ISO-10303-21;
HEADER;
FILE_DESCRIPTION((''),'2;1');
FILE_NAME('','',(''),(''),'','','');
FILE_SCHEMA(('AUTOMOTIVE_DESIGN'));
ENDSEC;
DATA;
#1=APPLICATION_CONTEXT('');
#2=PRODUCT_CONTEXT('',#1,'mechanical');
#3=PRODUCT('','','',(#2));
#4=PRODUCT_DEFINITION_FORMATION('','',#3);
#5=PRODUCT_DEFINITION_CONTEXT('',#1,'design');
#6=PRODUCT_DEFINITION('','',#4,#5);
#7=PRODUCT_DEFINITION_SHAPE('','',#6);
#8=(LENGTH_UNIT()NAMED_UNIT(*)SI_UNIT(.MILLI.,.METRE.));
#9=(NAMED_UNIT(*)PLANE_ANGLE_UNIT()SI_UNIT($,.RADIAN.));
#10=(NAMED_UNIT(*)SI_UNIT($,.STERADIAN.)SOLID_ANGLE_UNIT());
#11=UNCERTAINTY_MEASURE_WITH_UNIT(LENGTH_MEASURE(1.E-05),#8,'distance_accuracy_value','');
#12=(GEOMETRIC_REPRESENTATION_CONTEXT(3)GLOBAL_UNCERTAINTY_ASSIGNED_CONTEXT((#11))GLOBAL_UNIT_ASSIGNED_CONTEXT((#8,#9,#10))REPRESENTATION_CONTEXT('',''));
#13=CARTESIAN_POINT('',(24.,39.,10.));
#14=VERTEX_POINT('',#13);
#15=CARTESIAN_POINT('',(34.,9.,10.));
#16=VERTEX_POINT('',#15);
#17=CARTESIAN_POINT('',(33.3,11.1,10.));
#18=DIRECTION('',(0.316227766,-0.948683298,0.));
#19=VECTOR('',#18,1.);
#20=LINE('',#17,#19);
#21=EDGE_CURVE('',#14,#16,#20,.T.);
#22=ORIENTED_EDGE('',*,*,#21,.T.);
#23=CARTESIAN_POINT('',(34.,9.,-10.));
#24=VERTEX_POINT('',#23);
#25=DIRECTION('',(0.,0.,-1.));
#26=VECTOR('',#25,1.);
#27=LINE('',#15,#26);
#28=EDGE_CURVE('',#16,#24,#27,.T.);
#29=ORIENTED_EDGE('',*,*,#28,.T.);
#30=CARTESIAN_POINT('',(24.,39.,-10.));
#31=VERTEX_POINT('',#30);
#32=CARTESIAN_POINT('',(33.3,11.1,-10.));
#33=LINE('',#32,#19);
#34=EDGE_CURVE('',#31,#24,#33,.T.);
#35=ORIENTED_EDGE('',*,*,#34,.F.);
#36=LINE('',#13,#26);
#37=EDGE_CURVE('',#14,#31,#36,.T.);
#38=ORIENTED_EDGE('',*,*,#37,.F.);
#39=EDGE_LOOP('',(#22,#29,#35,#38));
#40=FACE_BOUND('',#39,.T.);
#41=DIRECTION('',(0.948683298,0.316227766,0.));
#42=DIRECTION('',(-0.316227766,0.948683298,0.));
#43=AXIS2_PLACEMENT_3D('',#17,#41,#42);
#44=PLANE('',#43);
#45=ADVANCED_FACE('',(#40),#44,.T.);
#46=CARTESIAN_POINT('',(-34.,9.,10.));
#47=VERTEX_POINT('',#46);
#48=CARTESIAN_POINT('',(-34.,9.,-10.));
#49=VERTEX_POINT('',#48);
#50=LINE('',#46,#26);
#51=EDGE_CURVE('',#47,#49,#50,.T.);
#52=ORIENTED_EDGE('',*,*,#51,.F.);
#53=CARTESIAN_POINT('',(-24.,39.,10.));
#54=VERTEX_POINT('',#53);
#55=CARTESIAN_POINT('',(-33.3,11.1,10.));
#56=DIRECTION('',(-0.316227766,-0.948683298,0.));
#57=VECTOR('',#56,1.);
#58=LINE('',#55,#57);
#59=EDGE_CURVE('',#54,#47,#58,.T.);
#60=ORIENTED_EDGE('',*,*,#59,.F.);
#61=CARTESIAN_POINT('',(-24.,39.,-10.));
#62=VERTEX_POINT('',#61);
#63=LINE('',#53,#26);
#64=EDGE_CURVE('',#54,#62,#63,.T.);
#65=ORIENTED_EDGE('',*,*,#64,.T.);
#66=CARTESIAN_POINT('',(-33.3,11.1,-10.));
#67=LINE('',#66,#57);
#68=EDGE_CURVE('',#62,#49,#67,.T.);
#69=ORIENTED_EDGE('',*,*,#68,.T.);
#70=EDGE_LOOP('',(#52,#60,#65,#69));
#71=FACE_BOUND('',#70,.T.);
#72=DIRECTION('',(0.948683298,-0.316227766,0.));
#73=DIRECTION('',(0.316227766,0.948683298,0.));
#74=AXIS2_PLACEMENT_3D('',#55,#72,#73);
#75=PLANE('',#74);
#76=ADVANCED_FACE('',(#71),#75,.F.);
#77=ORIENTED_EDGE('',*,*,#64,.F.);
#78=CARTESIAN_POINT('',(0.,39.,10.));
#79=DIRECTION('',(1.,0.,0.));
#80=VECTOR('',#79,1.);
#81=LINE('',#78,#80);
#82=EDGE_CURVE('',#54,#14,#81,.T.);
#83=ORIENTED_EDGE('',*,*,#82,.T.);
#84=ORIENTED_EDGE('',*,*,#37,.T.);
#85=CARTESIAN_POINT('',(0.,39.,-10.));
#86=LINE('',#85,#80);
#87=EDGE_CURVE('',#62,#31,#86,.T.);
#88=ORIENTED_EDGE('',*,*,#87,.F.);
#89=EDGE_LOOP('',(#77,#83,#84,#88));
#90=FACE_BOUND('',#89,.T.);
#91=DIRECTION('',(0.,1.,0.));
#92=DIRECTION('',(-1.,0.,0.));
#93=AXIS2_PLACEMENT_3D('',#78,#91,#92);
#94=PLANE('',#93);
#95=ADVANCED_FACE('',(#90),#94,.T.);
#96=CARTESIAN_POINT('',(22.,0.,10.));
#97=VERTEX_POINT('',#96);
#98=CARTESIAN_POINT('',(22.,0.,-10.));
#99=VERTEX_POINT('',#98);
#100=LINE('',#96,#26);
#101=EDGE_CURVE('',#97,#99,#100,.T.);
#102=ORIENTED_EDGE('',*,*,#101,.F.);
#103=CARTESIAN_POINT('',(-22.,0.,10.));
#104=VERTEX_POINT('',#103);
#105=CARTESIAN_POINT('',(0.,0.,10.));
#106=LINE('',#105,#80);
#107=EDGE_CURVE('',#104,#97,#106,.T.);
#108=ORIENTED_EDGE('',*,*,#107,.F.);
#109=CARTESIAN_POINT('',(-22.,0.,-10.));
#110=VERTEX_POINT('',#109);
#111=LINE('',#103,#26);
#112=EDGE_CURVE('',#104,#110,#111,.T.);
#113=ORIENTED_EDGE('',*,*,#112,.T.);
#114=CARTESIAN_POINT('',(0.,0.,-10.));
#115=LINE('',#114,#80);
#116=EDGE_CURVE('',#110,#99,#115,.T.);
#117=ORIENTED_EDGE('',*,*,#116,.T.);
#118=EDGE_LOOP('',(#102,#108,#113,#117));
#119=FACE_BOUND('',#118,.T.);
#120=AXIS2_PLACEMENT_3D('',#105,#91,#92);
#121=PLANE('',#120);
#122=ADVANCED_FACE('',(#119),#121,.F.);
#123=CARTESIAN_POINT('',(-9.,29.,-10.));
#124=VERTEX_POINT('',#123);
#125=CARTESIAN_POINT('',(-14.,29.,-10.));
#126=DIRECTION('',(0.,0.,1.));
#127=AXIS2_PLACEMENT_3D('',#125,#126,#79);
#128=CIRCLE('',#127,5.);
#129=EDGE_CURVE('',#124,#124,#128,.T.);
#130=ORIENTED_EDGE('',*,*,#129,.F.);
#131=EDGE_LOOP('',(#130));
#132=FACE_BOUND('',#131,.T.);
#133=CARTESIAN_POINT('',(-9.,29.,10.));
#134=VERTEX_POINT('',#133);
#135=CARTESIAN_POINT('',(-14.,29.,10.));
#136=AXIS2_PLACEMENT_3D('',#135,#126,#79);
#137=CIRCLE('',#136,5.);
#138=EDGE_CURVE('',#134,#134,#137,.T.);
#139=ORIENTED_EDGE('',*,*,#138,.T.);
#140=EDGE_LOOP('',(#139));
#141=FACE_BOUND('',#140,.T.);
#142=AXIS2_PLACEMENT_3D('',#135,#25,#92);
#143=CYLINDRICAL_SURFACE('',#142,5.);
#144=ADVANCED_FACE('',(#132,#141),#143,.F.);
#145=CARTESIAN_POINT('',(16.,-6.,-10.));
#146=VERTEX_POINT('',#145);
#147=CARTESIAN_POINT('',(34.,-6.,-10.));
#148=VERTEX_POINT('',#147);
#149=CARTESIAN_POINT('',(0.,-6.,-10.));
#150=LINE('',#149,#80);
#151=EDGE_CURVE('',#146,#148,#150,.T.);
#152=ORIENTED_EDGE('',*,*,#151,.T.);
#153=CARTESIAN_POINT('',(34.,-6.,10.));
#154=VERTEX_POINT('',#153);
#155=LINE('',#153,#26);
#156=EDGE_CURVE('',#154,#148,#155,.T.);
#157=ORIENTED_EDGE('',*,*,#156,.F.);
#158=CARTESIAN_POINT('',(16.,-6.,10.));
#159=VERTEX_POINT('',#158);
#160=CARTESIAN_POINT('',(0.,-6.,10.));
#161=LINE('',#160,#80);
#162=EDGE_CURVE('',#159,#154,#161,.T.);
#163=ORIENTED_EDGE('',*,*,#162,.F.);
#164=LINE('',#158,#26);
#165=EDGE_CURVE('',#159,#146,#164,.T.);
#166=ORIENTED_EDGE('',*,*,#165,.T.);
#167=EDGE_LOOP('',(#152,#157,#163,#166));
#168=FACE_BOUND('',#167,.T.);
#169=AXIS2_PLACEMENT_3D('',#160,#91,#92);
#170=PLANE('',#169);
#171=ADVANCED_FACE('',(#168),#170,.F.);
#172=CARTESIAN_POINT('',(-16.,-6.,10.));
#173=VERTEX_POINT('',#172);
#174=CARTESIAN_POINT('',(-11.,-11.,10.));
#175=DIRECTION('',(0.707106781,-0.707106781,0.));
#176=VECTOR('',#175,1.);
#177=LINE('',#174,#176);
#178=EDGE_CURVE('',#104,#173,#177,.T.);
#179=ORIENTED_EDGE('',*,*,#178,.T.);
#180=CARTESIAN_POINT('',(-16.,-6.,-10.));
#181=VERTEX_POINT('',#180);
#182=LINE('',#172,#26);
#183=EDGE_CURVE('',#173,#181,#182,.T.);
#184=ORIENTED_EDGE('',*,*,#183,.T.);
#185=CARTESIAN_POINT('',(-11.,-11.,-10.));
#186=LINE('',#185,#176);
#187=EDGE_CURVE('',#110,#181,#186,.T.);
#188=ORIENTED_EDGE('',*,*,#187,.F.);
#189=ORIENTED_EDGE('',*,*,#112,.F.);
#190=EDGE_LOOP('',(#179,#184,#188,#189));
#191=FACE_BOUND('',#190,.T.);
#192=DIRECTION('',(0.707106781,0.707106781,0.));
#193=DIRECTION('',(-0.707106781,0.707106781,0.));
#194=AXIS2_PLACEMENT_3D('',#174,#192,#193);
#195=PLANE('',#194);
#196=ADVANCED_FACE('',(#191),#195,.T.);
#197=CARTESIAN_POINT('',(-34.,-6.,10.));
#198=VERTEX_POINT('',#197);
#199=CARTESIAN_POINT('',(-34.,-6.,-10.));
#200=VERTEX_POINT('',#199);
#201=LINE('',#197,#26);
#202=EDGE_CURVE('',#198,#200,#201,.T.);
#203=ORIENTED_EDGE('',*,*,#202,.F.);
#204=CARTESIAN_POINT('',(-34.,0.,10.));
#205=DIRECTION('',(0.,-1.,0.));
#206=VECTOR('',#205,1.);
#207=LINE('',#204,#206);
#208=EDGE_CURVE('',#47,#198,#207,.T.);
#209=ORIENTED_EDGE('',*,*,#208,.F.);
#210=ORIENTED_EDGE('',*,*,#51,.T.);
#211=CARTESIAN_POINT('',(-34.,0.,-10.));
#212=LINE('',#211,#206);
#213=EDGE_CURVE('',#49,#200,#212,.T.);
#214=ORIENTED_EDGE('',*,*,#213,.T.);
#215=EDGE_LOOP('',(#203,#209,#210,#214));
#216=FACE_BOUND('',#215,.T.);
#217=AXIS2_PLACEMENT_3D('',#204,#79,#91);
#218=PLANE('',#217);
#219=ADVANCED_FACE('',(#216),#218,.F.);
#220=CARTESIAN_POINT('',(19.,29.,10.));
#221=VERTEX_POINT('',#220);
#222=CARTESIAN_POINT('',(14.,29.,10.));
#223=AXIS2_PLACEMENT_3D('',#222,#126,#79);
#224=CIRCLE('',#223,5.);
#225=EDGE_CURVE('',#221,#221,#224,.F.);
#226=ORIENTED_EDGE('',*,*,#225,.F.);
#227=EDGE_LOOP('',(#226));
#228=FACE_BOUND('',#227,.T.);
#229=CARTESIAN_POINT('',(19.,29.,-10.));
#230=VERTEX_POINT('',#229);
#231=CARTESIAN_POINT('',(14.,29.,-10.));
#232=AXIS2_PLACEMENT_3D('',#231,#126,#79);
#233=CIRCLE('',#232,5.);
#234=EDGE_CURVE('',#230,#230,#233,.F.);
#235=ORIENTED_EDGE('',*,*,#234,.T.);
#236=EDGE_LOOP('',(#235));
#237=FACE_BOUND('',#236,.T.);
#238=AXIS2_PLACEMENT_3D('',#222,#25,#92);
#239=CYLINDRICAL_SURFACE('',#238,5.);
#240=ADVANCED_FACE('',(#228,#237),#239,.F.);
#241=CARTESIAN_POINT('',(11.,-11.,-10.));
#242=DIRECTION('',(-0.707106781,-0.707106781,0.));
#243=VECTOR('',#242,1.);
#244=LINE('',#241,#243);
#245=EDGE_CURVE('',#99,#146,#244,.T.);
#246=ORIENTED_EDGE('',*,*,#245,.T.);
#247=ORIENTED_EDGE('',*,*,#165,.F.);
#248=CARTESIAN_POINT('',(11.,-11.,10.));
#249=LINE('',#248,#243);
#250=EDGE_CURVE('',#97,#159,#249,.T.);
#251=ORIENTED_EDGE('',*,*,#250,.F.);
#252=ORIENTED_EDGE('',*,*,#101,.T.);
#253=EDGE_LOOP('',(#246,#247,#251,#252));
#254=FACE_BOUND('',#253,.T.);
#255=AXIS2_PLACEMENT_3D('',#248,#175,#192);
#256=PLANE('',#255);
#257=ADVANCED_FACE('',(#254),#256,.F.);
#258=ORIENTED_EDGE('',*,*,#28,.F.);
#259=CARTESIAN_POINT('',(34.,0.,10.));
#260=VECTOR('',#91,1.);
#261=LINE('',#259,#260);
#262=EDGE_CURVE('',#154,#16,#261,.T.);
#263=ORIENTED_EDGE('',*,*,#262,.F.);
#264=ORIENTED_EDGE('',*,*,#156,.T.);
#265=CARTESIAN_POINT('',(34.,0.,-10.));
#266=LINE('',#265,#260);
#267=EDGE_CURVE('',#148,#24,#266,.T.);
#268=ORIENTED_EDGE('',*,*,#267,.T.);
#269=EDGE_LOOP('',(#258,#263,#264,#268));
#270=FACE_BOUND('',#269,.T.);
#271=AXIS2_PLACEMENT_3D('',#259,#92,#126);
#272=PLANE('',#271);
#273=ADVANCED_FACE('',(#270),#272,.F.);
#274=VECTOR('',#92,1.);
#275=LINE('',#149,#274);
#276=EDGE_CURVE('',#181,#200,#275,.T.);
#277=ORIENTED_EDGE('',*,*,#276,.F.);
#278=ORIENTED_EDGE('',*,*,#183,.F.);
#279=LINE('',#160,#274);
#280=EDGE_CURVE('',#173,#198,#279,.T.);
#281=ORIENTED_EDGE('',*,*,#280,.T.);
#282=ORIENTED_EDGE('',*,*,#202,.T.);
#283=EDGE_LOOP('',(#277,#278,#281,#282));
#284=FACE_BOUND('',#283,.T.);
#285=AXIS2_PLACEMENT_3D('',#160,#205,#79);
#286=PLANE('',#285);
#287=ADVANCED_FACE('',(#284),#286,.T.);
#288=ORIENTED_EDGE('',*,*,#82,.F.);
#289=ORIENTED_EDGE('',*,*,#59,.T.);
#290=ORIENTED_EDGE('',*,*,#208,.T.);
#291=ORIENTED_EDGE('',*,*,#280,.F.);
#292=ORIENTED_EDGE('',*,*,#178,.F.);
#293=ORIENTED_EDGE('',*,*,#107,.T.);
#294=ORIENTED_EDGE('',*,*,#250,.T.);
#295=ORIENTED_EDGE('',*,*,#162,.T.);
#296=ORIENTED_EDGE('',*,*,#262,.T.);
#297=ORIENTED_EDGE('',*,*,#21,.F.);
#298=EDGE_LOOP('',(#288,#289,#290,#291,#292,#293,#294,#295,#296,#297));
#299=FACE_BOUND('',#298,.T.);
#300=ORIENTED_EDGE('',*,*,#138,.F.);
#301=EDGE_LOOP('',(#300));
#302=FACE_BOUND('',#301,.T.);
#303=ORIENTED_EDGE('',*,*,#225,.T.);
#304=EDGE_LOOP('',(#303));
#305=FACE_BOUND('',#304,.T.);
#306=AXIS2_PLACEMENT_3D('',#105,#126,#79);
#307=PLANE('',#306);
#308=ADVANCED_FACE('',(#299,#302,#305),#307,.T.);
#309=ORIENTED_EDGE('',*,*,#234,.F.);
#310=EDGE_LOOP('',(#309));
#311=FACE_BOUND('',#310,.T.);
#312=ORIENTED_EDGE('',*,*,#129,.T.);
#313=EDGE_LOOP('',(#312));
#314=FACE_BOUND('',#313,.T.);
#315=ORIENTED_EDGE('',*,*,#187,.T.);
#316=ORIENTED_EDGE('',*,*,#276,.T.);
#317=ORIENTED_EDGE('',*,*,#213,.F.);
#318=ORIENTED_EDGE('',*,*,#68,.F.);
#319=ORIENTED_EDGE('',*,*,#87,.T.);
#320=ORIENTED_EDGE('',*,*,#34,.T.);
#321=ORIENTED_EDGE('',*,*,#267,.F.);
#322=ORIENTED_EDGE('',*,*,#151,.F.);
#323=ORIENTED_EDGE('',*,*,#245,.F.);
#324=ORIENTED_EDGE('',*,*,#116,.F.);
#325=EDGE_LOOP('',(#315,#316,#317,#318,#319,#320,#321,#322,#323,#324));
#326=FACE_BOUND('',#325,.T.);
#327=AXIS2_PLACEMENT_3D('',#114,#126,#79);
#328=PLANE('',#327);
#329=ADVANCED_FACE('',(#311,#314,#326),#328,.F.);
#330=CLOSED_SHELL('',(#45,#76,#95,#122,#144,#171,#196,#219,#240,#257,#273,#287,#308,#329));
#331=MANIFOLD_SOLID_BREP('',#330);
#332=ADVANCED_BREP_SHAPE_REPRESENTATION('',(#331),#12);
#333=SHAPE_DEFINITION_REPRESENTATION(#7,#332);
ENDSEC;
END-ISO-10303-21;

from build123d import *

# Parameters (mm, degrees)
SKETCH1_R           = 5
BOSS_EXTRUDE1_DEPTH = 10


with BuildPart() as part:
    # Sketch1 → Boss-Extrude1 (new, symmetric)
    with BuildSketch(Plane.XY):
        Polygon((-24, 39), (24, 39), (34, 9), (34, 0), (34, -6), (16, -6), (22, 0), (-22, 0), (-16, -6), (-34, -6), (-34, 0), (-34, 9), align=None)
        with Locations((-14, 29)):
            Circle(SKETCH1_R, mode=Mode.SUBTRACT)
        with Locations((14, 29)):
            Circle(SKETCH1_R, mode=Mode.SUBTRACT)
    extrude(amount=BOSS_EXTRUDE1_DEPTH, both=True)


solid = part.part
